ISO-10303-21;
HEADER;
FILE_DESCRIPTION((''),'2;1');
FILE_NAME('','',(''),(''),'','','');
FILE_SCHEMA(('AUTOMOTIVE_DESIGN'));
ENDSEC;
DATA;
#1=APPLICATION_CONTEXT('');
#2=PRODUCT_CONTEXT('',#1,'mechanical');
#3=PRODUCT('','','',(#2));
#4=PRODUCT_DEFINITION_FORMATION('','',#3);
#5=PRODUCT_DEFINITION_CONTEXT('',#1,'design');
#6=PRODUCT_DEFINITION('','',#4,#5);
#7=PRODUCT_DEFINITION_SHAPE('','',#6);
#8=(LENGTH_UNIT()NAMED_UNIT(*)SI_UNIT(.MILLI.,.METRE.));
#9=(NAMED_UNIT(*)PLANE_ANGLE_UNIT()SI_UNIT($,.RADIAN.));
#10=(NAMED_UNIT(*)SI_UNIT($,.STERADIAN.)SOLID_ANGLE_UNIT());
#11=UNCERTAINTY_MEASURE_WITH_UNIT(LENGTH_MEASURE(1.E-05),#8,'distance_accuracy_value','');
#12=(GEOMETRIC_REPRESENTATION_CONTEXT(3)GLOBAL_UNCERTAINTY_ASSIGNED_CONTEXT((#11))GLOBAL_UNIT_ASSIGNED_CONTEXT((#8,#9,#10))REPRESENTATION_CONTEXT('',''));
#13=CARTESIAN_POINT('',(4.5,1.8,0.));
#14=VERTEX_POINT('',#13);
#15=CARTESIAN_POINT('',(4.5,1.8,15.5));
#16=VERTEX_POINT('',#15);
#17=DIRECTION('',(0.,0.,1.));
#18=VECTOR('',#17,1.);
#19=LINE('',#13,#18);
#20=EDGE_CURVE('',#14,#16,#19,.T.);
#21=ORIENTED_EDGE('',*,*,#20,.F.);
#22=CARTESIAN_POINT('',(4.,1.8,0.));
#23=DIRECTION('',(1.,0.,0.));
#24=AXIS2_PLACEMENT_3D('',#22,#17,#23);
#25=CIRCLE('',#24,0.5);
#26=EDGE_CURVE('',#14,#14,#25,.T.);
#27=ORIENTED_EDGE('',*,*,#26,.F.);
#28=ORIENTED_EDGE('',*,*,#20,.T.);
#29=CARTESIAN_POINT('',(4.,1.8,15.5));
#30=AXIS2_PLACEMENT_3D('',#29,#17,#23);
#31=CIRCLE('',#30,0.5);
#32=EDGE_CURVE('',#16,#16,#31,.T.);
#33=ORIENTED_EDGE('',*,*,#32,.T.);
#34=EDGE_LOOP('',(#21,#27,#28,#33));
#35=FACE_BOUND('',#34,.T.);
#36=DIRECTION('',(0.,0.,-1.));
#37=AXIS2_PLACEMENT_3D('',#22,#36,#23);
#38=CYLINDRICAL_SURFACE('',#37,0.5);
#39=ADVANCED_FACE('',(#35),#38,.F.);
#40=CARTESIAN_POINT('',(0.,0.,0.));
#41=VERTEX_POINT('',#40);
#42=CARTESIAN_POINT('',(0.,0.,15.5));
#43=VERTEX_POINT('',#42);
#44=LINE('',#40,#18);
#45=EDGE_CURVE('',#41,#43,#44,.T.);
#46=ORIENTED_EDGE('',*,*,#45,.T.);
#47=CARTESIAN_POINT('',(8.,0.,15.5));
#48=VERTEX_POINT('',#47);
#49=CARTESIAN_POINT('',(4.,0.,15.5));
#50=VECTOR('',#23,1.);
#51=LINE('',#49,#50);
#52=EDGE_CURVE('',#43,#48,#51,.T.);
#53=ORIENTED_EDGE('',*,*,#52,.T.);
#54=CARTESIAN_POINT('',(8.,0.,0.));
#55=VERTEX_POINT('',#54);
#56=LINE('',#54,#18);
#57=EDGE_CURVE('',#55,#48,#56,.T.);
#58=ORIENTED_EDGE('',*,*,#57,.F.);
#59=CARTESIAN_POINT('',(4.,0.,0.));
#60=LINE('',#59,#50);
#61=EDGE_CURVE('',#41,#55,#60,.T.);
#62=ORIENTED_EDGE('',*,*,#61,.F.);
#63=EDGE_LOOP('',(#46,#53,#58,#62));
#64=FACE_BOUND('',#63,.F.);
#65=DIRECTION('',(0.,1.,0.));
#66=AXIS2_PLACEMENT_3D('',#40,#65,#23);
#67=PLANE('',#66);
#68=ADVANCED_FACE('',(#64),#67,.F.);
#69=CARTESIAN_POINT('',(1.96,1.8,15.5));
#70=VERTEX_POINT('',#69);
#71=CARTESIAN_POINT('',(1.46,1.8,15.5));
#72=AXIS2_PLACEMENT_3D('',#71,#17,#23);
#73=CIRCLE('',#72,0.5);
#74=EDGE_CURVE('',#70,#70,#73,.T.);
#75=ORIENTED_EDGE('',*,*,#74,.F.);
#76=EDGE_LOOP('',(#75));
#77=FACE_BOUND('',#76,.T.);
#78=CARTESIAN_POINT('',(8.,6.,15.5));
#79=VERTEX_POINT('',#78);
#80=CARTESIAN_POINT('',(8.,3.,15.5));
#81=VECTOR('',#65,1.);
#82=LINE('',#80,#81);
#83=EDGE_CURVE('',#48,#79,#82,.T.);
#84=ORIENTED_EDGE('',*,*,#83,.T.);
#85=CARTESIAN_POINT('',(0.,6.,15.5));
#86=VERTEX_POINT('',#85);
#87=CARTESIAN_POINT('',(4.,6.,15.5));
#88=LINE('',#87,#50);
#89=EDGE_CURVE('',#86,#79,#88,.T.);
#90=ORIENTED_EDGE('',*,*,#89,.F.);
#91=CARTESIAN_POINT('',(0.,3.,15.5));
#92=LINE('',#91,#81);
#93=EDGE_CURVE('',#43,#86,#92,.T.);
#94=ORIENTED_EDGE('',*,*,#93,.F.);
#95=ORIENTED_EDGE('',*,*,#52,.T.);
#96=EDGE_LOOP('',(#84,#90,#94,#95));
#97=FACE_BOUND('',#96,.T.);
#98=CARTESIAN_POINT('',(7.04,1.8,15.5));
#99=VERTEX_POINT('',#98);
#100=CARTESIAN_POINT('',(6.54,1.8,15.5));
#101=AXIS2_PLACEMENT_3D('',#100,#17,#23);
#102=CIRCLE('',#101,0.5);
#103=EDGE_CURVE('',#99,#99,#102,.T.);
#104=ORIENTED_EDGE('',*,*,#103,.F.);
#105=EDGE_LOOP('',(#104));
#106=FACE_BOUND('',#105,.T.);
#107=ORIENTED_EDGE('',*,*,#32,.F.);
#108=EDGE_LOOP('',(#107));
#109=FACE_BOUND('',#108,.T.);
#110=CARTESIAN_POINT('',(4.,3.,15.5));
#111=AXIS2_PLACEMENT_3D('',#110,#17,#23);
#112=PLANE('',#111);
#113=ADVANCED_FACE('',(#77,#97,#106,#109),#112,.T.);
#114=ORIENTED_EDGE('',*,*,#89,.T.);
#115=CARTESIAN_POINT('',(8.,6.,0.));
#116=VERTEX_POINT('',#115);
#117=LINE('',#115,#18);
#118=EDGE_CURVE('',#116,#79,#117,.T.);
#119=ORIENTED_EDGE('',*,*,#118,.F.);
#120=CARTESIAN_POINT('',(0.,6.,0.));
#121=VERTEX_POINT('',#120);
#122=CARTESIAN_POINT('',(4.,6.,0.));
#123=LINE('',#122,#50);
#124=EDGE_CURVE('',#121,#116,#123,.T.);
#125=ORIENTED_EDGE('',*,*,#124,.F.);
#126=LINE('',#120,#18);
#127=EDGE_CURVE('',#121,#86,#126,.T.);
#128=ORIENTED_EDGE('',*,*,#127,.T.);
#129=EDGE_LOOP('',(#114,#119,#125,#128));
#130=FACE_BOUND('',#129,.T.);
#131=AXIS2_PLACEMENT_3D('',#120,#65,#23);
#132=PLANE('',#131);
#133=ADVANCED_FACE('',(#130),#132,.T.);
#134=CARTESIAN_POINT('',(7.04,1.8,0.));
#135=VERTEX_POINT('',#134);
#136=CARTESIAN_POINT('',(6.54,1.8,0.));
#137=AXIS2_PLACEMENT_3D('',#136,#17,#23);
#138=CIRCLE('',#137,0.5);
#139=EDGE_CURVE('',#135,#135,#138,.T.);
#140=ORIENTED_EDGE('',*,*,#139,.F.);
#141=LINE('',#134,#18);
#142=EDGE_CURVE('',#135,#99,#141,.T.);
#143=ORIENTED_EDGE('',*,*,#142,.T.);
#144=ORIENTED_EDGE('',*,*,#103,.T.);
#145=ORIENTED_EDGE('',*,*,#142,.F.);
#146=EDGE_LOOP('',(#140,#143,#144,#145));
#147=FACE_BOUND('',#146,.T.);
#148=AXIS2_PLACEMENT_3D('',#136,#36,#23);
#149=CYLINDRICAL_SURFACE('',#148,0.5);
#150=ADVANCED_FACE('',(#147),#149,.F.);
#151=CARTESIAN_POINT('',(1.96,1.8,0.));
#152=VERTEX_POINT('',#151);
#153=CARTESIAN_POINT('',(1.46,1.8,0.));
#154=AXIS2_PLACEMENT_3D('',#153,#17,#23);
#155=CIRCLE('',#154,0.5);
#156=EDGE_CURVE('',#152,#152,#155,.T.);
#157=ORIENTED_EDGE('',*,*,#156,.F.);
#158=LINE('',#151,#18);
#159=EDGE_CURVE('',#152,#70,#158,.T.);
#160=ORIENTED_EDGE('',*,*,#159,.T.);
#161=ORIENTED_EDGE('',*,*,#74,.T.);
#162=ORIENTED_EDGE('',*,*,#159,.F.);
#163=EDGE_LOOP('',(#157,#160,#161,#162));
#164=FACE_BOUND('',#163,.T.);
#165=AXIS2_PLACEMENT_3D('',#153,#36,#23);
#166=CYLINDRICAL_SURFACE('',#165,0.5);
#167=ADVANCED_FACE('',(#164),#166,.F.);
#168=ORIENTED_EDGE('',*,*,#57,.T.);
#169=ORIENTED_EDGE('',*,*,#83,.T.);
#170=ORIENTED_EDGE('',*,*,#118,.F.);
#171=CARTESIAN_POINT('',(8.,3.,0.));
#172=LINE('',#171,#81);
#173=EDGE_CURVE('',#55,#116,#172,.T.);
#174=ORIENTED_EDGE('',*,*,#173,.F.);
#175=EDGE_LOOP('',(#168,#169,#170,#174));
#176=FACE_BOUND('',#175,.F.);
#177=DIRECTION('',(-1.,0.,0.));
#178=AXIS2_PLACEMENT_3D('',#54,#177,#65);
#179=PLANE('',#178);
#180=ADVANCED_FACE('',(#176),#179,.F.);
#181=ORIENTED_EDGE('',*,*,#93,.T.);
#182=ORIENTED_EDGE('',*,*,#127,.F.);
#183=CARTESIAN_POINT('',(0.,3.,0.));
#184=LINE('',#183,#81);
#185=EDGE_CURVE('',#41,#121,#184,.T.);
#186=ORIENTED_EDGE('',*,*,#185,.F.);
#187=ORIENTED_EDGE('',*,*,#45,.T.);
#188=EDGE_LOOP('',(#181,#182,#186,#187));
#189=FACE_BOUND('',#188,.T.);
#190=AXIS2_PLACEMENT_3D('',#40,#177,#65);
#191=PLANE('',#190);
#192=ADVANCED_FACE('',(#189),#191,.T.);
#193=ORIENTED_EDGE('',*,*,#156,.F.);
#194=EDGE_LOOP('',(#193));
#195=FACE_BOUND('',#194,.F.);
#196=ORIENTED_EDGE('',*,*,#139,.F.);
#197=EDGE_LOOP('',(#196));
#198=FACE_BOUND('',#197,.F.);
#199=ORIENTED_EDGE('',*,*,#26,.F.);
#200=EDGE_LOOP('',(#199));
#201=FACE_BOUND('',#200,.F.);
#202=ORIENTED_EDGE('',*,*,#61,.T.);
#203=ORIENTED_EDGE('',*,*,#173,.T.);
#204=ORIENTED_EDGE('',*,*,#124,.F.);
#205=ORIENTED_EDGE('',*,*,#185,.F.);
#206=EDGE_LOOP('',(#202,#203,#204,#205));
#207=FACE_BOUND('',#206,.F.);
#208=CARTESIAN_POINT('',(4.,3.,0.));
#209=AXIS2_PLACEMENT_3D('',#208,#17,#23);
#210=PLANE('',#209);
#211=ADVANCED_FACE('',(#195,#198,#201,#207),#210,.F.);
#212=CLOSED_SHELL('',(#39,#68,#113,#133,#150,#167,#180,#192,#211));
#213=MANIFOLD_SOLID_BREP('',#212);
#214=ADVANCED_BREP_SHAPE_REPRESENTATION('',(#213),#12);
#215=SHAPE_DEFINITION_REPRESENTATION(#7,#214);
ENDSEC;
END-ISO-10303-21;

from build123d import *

# Parameters (mm, degrees)
SKETCH_W  = 8
SKETCH_H  = 6
SKETCH_R  = 0.5
PAD_DEPTH = 15.5


with BuildPart() as part:
    # Sketch → Pad (new body)
    with BuildSketch(Plane.XY):
        with Locations((4, 3)):
            Rectangle(SKETCH_W, SKETCH_H)
        with Locations((1.46, 1.8)):
            Circle(SKETCH_R, mode=Mode.SUBTRACT)
        with Locations((4, 1.8)):
            Circle(SKETCH_R, mode=Mode.SUBTRACT)
        with Locations((6.54, 1.8)):
            Circle(SKETCH_R, mode=Mode.SUBTRACT)
    extrude(amount=PAD_DEPTH)


solid = part.part
